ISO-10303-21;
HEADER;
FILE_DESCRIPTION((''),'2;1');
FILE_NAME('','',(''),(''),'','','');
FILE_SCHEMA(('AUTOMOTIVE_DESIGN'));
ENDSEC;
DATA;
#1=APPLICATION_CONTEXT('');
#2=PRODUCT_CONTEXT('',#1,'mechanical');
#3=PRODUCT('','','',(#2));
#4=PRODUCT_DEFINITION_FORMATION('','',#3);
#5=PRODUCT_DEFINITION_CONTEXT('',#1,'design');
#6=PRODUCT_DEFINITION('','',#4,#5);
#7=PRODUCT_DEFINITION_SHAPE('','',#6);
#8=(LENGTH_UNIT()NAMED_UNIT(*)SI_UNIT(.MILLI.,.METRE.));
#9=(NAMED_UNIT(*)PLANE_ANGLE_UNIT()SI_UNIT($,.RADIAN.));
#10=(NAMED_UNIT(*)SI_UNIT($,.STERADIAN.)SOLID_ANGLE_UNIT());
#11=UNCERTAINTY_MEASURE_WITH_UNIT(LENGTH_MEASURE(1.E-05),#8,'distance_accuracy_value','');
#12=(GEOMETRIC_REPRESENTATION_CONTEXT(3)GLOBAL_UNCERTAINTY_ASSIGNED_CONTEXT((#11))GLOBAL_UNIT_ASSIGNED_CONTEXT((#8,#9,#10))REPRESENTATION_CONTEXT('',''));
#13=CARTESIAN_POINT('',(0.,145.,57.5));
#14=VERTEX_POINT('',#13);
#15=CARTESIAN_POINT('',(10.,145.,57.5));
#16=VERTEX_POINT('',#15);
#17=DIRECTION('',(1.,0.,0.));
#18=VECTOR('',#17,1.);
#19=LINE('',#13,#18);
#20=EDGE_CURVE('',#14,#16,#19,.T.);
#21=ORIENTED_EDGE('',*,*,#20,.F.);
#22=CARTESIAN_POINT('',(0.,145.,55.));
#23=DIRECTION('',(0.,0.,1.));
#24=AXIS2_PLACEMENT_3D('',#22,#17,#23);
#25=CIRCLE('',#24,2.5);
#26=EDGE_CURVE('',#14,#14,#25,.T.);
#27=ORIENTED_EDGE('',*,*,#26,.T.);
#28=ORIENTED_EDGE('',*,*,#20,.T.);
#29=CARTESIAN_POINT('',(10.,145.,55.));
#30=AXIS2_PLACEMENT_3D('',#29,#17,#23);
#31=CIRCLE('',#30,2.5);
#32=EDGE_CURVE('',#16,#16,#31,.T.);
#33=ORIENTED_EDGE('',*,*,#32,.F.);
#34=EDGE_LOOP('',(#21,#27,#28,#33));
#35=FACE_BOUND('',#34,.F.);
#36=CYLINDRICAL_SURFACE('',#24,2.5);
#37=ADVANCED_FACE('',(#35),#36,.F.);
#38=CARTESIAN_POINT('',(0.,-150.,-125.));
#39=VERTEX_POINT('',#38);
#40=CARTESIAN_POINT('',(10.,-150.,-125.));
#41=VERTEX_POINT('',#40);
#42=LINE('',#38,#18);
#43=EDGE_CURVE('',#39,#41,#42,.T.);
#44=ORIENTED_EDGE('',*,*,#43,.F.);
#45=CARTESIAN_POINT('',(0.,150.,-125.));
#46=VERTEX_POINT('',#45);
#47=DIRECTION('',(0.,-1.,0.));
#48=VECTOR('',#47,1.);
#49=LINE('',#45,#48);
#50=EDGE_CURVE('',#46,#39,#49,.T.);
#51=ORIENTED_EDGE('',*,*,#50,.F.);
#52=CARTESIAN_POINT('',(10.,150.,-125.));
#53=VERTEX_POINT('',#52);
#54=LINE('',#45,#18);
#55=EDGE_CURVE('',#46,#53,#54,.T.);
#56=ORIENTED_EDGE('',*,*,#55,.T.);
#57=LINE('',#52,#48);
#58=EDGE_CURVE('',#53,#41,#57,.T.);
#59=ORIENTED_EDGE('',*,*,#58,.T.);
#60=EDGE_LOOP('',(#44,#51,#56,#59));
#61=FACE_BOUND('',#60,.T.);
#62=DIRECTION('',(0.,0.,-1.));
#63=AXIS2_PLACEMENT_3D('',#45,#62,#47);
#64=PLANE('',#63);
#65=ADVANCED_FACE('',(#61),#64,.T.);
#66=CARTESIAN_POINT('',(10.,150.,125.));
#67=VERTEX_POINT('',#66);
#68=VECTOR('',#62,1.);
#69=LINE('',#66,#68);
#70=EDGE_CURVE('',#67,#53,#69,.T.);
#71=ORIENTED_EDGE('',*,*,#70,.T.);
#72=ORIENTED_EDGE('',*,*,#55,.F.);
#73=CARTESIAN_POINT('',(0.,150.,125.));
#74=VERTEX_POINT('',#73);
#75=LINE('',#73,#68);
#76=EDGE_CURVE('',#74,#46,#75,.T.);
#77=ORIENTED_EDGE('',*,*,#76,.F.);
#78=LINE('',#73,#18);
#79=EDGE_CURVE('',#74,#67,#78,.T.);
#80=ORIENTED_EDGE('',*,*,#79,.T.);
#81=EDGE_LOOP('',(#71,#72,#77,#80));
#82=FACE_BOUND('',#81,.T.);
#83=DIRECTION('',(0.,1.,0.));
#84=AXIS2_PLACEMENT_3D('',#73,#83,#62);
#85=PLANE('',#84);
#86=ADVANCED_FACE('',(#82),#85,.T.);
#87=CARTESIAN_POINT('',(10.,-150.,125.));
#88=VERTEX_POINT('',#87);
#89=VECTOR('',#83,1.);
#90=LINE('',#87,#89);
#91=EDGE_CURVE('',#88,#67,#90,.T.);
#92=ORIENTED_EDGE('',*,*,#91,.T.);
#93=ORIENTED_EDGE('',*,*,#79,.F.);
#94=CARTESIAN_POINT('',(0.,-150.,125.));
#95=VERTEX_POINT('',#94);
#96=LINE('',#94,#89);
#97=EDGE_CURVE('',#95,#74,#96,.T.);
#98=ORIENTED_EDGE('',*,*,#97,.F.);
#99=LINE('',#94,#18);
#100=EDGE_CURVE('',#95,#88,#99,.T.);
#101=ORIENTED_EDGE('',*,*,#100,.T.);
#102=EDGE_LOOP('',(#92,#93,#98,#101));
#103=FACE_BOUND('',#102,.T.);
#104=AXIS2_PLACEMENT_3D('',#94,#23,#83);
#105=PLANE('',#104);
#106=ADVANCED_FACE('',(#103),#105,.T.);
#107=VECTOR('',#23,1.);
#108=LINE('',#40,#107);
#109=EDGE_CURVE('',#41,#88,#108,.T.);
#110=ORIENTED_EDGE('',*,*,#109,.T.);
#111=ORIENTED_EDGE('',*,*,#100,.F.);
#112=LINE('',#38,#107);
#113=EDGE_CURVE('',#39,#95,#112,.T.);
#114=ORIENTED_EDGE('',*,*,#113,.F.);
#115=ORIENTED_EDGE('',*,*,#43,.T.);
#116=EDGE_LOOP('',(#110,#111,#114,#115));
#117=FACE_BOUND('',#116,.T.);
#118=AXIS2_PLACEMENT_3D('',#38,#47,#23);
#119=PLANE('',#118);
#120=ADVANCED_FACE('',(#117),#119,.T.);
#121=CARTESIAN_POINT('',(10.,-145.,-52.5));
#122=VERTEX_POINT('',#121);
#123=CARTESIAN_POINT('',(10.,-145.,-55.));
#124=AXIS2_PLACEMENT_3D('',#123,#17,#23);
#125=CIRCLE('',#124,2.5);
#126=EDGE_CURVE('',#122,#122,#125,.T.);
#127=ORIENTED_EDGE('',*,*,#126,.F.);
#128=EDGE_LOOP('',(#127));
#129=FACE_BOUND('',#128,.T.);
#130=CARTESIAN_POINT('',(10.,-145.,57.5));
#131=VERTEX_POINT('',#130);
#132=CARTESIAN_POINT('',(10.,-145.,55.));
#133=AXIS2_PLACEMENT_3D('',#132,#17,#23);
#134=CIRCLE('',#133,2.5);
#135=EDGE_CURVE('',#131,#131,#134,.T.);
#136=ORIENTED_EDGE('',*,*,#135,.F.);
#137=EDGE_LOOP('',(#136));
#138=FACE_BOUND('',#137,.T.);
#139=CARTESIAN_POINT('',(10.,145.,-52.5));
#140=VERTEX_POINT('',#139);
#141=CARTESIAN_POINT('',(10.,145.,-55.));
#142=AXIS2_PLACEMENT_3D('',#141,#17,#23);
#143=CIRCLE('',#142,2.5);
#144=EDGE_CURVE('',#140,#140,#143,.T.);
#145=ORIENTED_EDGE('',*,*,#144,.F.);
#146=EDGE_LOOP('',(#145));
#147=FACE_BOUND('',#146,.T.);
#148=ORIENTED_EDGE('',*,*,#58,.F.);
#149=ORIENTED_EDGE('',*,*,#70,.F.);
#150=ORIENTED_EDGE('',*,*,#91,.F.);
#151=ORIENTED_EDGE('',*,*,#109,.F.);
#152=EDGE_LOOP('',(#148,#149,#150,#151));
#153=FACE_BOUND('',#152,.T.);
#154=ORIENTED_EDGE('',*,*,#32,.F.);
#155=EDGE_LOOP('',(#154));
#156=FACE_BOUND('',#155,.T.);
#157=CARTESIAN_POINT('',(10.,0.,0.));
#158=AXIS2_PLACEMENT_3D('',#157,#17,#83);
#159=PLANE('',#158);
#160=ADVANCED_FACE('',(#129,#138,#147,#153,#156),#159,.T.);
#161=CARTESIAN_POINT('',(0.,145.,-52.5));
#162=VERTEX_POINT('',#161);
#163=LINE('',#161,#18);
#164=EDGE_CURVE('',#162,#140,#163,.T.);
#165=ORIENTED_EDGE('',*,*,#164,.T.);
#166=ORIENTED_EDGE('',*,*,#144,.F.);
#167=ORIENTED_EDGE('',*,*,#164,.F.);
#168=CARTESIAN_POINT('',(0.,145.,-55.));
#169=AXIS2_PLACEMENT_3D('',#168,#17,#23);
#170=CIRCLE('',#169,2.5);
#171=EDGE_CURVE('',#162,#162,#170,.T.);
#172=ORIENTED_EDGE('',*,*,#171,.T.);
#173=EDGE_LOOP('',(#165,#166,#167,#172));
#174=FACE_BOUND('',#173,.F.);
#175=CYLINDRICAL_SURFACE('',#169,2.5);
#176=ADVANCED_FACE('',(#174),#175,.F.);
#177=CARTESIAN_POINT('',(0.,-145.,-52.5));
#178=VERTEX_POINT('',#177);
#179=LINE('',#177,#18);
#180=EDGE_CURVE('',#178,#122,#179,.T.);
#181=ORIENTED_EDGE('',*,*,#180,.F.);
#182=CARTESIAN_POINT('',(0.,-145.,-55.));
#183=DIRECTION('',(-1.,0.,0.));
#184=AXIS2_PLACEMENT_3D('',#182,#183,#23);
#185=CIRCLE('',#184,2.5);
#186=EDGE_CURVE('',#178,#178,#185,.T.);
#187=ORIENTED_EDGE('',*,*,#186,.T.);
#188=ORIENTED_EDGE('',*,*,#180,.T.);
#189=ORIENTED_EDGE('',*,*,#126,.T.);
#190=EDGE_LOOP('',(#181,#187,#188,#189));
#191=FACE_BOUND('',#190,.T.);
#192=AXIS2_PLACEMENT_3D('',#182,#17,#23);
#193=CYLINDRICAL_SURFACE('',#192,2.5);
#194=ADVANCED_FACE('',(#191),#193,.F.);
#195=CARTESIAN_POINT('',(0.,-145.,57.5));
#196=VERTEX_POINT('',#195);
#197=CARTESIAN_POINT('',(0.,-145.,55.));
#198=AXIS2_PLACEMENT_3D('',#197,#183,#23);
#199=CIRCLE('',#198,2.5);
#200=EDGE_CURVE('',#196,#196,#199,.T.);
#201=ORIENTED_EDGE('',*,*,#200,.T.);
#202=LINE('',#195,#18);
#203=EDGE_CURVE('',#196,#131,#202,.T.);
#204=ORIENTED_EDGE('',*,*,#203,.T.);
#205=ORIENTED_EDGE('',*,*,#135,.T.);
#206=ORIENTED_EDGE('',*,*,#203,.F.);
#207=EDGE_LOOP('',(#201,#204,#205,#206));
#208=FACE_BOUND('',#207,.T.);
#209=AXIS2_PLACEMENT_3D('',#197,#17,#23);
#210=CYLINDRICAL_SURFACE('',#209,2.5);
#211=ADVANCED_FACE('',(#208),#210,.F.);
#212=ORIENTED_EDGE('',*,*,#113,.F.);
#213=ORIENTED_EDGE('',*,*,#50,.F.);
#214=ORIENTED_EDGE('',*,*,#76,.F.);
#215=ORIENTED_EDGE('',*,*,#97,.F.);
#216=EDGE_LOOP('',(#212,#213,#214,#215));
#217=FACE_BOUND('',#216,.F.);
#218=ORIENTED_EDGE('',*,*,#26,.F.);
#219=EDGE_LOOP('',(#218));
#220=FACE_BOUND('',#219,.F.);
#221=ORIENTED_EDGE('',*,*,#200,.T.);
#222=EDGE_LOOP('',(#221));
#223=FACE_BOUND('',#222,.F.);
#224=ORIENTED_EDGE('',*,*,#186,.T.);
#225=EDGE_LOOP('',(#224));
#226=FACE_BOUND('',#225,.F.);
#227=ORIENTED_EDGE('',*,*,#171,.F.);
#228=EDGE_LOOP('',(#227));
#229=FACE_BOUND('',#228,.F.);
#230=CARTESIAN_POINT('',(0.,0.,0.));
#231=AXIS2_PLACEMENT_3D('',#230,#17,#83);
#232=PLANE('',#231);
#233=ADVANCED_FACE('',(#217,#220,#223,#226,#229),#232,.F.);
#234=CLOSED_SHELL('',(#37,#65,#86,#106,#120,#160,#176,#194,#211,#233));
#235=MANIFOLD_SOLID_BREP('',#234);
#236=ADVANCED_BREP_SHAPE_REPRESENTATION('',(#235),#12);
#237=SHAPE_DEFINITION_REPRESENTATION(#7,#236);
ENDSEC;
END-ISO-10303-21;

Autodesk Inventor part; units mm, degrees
ref_plane "YZ Plane" through (0, 0, 0) normal (1, 0, 0) x (0, 1, 0)
ref_plane "XZ Plane" through (0, 0, 0) normal (0, 1, 0) x (-1, 0, 0)
ref_plane "XY Plane" through (0, 0, 0) normal (0, 0, 1) x (1, 0, 0)
sketch "Sketch1" plane through (0, 0, 0) normal (1, 0, 0) x (0, 1, 0)
  line L0 (-150, 125) -> (150, 125)
  line L1 (150, 125) -> (150, -125)
  line L2 (150, -125) -> (-150, -125)
  line L3 (-150, -125) -> (-150, 125)
  line L4 (-150, 125) -> (150, -125) construction
  line L5 (150, 125) -> (-150, -125) construction
  point P0 (0, 0)
  dimension "d0" = 250
  dimension "d1" = 300
extrude "Extrusion1" add sketch "Sketch1" along normal blind 10
sketch "Sketch2" plane through (0, 0, 0) normal (-1, 0, 0) x (0, 0, 1)
  line L0 (-125, -150) -> (-125, 150) projected
  line L1 (125, -150) -> (-125, -150) projected
  line L2 (125, 150) -> (125, -150) projected
  line L3 (-125, 150) -> (125, 150) projected
  line L4 (120, -145) -> (-120, -145)
  line L5 (-120, -145) -> (-120, 145)
  line L6 (-120, 145) -> (120, 145)
  line L7 (120, 145) -> (120, -145)
  line L8 (0, -210) -> (0, 210) construction
  line L9 (-175, 0) -> (175, 0) construction
  point P0 (0, 0)
  point P1 (0, 145)
  point P2 (55, 145)
  point P3 (0, -145)
  point P4 (-55, 145)
  dimension "d4" = 5
  dimension "d7" = 70
  dimension "d8" = 70
hole "Hole1" at (0, 145, 55) at (0, 145, -55) direction (1, 0, 0) diameter 5 end through all
mirror "Mirror1" about plane through (0, 0, 0) normal (0, 1, 0) of "Hole1"
properties part number "10_Tam_go_mat_top"
